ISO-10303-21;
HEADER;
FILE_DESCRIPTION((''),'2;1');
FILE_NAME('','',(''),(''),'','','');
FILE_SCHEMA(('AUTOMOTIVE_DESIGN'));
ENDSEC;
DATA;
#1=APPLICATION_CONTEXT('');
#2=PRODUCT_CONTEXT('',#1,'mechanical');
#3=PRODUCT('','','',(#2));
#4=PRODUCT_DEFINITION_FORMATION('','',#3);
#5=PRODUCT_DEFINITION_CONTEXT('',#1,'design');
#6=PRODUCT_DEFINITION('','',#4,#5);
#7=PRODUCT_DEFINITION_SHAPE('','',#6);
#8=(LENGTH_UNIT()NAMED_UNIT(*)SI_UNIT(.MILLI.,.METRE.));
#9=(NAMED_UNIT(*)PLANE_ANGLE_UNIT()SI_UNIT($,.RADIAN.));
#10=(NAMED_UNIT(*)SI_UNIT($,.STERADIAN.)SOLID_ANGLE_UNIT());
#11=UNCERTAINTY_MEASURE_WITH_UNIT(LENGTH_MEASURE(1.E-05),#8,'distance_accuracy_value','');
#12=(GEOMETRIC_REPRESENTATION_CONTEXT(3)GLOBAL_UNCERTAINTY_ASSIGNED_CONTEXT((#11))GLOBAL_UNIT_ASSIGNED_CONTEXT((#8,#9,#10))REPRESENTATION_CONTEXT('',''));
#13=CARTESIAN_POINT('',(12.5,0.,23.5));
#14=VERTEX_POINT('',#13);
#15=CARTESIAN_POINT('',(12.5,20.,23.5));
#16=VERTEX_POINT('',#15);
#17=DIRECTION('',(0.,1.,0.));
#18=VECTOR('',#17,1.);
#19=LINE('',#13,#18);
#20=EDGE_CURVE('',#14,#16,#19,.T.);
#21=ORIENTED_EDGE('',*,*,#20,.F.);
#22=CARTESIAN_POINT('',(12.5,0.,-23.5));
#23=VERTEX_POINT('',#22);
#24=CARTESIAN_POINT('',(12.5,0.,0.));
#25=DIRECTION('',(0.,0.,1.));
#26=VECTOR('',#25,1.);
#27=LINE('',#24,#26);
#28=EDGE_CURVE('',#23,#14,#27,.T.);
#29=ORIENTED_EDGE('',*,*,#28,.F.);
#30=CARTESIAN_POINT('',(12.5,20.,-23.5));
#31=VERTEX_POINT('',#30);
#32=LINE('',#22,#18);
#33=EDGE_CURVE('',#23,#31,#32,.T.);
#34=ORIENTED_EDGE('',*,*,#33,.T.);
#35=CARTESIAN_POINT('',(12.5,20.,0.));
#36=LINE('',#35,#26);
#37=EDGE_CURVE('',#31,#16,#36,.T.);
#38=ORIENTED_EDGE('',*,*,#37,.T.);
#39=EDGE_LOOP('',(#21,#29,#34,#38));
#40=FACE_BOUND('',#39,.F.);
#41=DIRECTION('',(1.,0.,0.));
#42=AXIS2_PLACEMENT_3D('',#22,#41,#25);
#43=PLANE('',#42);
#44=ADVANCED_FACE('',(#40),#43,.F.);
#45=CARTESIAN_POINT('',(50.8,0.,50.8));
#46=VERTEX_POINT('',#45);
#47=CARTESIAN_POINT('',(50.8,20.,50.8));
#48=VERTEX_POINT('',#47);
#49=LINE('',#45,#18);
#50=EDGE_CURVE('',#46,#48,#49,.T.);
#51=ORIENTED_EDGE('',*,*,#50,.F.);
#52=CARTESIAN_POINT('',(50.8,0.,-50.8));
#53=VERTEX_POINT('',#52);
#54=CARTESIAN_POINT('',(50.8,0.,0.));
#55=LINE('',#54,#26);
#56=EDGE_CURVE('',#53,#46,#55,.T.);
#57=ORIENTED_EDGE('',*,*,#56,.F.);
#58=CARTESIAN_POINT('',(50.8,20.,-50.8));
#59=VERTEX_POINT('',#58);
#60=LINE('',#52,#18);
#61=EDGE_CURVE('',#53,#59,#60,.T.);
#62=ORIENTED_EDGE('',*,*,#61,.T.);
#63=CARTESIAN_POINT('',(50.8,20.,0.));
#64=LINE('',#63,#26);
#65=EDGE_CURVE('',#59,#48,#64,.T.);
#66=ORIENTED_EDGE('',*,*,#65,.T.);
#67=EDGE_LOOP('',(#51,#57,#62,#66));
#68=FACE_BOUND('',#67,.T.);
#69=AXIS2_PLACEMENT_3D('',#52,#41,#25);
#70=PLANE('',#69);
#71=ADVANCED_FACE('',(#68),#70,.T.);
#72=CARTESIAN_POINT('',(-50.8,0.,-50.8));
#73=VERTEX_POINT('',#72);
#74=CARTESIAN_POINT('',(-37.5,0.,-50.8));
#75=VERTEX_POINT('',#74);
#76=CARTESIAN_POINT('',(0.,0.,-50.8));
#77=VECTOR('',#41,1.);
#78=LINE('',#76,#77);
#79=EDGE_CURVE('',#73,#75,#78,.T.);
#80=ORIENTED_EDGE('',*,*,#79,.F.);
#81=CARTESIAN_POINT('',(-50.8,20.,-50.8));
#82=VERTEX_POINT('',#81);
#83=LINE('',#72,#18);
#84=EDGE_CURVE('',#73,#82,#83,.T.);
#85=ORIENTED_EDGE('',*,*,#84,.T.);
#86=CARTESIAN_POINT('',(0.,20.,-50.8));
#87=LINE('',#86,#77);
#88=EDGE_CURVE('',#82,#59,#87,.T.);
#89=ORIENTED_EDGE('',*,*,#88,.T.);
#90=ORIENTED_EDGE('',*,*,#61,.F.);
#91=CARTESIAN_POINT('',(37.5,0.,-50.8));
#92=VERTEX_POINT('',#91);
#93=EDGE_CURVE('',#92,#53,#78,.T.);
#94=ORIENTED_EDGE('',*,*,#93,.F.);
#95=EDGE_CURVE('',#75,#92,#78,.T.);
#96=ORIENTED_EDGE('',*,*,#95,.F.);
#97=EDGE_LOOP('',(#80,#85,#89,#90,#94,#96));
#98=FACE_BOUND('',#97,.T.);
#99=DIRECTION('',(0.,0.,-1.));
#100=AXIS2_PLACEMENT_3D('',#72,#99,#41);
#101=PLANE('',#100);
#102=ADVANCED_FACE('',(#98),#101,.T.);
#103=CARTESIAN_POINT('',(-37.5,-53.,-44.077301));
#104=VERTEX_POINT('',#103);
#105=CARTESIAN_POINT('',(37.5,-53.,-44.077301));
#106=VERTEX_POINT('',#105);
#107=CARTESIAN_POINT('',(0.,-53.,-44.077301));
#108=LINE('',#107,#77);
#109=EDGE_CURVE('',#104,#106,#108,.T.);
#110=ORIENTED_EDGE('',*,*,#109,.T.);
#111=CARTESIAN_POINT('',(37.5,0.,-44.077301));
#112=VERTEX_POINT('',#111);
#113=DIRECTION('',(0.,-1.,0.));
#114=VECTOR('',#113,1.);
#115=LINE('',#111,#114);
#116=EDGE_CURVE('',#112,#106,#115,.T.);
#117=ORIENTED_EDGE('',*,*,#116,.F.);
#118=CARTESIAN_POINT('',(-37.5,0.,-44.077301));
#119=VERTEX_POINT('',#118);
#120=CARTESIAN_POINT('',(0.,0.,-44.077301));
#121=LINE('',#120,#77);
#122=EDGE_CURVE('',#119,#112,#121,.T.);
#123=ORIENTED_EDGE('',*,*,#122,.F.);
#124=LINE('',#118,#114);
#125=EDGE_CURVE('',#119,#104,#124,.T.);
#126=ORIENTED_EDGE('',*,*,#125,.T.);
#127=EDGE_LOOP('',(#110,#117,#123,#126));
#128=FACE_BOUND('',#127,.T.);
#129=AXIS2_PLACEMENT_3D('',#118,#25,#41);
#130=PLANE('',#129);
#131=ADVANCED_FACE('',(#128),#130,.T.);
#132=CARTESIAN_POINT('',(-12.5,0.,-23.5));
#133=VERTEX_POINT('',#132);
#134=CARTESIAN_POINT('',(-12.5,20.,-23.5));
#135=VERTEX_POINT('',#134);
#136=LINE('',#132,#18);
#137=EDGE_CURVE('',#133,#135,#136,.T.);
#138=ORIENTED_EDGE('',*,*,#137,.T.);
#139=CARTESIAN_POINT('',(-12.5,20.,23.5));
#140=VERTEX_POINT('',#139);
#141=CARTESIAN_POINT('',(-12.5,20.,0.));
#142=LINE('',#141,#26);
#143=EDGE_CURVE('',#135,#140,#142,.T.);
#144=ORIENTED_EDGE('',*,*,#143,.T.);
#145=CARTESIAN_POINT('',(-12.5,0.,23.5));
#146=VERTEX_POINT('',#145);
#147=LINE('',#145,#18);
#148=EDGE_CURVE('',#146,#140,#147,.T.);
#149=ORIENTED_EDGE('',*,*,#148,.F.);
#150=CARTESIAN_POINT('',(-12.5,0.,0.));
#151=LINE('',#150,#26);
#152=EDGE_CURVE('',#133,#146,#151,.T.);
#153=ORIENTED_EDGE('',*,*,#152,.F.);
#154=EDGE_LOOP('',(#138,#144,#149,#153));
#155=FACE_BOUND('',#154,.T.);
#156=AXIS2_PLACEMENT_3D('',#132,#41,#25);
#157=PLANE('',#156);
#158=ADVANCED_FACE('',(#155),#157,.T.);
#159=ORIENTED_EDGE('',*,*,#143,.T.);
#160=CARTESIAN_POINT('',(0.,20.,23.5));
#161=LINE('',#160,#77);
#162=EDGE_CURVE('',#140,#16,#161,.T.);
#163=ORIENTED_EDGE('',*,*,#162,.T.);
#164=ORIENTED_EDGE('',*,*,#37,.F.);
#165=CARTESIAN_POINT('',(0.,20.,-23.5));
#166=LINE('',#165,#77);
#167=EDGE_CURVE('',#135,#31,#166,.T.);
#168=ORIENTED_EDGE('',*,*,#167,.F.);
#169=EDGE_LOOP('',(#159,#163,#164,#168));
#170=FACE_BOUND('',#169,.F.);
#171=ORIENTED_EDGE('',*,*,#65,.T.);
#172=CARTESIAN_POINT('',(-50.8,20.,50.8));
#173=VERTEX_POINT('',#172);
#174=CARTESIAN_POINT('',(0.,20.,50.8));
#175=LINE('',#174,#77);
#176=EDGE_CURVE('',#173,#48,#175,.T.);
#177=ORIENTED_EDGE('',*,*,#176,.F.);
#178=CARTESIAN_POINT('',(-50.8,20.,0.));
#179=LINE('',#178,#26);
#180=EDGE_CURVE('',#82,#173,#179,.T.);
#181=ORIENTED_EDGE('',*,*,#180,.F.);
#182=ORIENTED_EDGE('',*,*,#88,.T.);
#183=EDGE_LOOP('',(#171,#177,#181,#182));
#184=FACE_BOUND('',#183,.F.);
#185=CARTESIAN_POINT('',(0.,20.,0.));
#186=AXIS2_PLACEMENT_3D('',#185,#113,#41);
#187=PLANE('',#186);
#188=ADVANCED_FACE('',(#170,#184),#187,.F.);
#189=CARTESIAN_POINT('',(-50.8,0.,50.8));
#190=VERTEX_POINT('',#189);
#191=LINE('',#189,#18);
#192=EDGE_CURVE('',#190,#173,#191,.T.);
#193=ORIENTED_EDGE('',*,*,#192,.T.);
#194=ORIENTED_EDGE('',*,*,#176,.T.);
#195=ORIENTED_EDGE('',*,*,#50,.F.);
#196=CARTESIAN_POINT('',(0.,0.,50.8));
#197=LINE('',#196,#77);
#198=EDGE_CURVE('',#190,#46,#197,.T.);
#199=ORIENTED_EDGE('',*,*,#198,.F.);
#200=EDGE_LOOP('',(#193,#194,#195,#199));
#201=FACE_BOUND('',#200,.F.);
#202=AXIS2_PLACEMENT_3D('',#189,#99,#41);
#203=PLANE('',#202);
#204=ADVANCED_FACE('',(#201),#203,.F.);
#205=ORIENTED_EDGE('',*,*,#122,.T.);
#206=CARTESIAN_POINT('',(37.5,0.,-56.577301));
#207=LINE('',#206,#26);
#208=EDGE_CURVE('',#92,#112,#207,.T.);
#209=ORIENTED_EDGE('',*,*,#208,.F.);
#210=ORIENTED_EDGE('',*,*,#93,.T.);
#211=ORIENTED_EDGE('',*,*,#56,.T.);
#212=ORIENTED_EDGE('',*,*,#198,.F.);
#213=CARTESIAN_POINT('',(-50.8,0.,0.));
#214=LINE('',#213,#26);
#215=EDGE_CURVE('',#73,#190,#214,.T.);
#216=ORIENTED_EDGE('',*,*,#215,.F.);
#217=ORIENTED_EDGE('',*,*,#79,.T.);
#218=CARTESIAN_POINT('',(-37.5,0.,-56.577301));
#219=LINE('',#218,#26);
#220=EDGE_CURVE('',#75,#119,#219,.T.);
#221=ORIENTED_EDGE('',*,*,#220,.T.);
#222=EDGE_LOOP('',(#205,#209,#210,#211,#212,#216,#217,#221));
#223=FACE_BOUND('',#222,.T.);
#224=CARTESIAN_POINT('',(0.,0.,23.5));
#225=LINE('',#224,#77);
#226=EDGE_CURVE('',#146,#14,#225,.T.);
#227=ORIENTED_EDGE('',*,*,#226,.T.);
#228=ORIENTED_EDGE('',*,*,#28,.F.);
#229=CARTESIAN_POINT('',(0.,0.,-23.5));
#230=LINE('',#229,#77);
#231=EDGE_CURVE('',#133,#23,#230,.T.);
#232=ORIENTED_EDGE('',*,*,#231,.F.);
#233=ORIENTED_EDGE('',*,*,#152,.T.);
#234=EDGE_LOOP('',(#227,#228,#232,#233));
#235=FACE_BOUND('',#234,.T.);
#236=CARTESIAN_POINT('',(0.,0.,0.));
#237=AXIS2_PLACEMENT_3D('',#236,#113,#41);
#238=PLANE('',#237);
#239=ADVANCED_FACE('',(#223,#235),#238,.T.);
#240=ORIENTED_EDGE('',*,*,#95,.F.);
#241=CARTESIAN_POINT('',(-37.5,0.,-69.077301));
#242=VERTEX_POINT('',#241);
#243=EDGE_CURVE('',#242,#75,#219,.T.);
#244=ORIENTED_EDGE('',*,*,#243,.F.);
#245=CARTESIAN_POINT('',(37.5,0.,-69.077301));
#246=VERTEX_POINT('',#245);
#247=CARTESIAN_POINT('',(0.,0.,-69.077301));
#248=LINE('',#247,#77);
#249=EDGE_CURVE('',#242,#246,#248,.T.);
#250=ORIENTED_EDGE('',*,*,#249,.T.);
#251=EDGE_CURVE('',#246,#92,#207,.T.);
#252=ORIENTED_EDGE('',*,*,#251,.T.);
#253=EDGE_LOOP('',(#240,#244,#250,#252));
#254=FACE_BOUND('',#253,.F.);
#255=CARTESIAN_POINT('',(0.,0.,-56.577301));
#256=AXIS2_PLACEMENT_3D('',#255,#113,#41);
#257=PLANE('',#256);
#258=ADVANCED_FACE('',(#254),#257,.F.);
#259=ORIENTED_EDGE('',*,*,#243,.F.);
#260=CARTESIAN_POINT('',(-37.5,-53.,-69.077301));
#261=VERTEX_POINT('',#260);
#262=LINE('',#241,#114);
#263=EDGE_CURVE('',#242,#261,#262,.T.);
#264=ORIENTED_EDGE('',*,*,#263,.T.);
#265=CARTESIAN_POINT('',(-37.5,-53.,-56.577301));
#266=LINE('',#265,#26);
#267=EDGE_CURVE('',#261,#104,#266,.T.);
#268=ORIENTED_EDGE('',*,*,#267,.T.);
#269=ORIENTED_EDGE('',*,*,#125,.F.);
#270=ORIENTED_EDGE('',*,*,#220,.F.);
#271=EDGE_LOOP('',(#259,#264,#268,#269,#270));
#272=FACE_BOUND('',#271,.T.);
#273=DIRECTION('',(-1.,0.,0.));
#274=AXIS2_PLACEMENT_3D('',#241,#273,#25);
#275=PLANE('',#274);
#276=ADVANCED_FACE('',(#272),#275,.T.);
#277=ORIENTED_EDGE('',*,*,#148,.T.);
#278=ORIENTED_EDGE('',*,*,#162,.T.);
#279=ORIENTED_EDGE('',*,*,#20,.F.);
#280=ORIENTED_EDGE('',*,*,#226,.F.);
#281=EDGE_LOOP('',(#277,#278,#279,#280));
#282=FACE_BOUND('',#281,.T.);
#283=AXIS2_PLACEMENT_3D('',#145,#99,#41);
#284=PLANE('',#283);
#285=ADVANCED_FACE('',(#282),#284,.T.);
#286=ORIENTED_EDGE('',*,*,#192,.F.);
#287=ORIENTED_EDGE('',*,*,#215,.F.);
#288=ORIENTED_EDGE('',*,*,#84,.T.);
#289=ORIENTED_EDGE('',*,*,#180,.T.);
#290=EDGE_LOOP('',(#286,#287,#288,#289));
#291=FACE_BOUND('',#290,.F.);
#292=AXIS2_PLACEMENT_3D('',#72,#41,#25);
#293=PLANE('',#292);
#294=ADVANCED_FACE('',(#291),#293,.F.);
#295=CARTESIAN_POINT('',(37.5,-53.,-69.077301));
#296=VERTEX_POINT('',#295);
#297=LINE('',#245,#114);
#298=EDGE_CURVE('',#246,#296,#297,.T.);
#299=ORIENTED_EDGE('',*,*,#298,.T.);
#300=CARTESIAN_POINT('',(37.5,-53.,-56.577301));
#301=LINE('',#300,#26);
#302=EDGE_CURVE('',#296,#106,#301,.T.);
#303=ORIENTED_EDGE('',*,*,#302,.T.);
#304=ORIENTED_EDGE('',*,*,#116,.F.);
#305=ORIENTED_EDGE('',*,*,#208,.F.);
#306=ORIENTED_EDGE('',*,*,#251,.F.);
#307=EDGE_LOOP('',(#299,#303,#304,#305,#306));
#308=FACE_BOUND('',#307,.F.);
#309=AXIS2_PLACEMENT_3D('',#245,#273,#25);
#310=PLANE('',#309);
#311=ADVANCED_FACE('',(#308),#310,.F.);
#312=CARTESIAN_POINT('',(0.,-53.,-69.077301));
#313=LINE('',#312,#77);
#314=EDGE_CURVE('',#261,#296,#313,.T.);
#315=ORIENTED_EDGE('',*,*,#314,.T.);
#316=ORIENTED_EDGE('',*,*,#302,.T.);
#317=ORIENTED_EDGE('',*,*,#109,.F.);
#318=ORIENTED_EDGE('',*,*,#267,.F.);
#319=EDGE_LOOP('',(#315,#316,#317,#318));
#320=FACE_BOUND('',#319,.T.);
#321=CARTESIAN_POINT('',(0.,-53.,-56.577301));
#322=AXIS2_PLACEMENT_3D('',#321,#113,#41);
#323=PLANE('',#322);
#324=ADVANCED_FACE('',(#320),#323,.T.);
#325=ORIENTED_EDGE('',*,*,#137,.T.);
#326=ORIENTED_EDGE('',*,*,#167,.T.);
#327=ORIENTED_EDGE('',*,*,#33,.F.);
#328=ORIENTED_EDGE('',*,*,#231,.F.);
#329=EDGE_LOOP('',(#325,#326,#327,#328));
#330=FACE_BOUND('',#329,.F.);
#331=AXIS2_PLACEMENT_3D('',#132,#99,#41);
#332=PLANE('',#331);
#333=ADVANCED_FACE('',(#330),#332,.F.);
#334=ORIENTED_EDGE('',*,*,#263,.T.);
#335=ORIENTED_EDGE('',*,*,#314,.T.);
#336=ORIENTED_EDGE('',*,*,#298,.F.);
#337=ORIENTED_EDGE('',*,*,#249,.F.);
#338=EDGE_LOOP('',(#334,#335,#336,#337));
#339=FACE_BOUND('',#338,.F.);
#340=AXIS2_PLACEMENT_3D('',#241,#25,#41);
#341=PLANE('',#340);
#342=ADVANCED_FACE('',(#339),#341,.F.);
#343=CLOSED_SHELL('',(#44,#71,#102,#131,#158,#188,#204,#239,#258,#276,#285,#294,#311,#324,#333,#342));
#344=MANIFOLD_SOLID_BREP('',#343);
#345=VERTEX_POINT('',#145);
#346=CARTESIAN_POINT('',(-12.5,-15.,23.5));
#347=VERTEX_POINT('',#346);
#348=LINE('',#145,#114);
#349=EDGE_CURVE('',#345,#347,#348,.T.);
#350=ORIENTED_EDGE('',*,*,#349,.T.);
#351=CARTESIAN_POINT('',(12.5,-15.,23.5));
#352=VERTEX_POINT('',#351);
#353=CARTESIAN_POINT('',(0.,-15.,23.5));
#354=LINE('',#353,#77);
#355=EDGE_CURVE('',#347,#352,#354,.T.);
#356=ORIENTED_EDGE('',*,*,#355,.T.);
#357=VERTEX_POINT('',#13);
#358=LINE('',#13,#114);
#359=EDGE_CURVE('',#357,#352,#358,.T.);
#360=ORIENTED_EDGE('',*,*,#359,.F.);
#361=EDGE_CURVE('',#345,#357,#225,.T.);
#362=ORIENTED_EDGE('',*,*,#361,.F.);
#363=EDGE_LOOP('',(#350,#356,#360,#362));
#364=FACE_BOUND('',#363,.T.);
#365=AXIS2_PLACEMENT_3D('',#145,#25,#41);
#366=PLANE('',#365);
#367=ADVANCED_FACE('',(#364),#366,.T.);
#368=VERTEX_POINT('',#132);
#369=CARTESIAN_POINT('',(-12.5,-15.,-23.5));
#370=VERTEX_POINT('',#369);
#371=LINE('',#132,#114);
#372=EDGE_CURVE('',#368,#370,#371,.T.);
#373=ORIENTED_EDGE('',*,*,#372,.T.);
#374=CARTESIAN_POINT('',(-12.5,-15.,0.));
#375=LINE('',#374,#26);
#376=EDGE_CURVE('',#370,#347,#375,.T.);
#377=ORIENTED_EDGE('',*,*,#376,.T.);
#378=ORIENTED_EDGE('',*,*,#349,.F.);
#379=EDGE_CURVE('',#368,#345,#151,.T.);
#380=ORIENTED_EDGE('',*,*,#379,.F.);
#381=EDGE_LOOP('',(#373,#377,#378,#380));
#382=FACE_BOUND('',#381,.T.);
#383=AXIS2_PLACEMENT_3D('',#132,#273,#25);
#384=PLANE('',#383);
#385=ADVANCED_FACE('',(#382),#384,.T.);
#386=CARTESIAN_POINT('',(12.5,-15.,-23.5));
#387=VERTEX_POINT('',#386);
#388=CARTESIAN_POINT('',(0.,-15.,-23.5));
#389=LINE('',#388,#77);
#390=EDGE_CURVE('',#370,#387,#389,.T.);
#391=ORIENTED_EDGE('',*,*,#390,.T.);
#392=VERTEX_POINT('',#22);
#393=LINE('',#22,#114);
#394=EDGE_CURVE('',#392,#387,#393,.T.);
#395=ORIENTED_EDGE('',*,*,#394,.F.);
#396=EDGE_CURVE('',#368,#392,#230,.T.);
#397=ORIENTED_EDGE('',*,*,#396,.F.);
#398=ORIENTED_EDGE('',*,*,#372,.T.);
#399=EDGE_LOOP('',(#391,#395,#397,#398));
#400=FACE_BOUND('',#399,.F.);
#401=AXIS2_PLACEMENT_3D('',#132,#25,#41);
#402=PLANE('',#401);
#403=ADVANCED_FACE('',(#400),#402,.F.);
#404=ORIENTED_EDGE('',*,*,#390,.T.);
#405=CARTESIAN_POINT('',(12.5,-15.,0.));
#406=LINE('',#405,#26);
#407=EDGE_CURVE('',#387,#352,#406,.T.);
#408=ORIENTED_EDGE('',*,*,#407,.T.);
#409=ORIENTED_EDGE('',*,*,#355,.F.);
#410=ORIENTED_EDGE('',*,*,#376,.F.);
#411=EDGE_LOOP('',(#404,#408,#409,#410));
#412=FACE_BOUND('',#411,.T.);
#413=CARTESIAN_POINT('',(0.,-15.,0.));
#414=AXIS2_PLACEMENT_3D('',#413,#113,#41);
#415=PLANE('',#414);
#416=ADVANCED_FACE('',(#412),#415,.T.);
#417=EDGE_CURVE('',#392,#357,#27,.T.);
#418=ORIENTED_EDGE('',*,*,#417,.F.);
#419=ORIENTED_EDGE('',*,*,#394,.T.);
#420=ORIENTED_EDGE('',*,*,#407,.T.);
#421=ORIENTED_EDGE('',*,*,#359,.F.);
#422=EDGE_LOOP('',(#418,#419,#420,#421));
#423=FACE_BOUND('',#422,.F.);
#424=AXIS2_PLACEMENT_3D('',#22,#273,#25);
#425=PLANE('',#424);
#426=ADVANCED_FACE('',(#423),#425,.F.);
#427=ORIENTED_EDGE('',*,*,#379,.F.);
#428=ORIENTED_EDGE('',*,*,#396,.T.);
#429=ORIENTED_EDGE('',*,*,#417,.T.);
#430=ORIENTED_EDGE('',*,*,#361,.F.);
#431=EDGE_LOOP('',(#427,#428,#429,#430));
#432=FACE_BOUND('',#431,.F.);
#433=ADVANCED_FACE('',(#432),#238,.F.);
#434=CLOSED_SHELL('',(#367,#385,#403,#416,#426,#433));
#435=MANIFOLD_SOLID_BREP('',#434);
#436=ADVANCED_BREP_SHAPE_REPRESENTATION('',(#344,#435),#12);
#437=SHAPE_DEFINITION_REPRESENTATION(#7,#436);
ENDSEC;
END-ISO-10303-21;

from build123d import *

# Parameters (mm, degrees)
F0_W     = 25
F0_H     = 47
F1_DEPTH = 15
F0_W_2   = 101.6
F0_H_2   = 101.6
F2_DEPTH = 20
F3_W     = 75
F3_H     = 25
F4_DEPTH = 53


with BuildPart() as f1:
    # F0 (on Front) → F1 (new body)
    with BuildSketch(Plane.XZ):
        Rectangle(F0_W, F0_H)
    extrude(amount=F1_DEPTH)


with BuildPart() as f2:
    # F0 (on Front) → F2 (new body)
    with BuildSketch(Plane.XZ):
        Rectangle(F0_W_2, F0_H_2)
        Rectangle(F0_W, F0_H, mode=Mode.SUBTRACT)
    extrude(amount=-F2_DEPTH)

    # F3 (on Front) → F4 (join)
    with BuildSketch(Plane.XZ):
        with Locations((0, -56.577301)):
            Rectangle(F3_W, F3_H)
    extrude(amount=F4_DEPTH)


solid = Compound([f1.part, f2.part])
